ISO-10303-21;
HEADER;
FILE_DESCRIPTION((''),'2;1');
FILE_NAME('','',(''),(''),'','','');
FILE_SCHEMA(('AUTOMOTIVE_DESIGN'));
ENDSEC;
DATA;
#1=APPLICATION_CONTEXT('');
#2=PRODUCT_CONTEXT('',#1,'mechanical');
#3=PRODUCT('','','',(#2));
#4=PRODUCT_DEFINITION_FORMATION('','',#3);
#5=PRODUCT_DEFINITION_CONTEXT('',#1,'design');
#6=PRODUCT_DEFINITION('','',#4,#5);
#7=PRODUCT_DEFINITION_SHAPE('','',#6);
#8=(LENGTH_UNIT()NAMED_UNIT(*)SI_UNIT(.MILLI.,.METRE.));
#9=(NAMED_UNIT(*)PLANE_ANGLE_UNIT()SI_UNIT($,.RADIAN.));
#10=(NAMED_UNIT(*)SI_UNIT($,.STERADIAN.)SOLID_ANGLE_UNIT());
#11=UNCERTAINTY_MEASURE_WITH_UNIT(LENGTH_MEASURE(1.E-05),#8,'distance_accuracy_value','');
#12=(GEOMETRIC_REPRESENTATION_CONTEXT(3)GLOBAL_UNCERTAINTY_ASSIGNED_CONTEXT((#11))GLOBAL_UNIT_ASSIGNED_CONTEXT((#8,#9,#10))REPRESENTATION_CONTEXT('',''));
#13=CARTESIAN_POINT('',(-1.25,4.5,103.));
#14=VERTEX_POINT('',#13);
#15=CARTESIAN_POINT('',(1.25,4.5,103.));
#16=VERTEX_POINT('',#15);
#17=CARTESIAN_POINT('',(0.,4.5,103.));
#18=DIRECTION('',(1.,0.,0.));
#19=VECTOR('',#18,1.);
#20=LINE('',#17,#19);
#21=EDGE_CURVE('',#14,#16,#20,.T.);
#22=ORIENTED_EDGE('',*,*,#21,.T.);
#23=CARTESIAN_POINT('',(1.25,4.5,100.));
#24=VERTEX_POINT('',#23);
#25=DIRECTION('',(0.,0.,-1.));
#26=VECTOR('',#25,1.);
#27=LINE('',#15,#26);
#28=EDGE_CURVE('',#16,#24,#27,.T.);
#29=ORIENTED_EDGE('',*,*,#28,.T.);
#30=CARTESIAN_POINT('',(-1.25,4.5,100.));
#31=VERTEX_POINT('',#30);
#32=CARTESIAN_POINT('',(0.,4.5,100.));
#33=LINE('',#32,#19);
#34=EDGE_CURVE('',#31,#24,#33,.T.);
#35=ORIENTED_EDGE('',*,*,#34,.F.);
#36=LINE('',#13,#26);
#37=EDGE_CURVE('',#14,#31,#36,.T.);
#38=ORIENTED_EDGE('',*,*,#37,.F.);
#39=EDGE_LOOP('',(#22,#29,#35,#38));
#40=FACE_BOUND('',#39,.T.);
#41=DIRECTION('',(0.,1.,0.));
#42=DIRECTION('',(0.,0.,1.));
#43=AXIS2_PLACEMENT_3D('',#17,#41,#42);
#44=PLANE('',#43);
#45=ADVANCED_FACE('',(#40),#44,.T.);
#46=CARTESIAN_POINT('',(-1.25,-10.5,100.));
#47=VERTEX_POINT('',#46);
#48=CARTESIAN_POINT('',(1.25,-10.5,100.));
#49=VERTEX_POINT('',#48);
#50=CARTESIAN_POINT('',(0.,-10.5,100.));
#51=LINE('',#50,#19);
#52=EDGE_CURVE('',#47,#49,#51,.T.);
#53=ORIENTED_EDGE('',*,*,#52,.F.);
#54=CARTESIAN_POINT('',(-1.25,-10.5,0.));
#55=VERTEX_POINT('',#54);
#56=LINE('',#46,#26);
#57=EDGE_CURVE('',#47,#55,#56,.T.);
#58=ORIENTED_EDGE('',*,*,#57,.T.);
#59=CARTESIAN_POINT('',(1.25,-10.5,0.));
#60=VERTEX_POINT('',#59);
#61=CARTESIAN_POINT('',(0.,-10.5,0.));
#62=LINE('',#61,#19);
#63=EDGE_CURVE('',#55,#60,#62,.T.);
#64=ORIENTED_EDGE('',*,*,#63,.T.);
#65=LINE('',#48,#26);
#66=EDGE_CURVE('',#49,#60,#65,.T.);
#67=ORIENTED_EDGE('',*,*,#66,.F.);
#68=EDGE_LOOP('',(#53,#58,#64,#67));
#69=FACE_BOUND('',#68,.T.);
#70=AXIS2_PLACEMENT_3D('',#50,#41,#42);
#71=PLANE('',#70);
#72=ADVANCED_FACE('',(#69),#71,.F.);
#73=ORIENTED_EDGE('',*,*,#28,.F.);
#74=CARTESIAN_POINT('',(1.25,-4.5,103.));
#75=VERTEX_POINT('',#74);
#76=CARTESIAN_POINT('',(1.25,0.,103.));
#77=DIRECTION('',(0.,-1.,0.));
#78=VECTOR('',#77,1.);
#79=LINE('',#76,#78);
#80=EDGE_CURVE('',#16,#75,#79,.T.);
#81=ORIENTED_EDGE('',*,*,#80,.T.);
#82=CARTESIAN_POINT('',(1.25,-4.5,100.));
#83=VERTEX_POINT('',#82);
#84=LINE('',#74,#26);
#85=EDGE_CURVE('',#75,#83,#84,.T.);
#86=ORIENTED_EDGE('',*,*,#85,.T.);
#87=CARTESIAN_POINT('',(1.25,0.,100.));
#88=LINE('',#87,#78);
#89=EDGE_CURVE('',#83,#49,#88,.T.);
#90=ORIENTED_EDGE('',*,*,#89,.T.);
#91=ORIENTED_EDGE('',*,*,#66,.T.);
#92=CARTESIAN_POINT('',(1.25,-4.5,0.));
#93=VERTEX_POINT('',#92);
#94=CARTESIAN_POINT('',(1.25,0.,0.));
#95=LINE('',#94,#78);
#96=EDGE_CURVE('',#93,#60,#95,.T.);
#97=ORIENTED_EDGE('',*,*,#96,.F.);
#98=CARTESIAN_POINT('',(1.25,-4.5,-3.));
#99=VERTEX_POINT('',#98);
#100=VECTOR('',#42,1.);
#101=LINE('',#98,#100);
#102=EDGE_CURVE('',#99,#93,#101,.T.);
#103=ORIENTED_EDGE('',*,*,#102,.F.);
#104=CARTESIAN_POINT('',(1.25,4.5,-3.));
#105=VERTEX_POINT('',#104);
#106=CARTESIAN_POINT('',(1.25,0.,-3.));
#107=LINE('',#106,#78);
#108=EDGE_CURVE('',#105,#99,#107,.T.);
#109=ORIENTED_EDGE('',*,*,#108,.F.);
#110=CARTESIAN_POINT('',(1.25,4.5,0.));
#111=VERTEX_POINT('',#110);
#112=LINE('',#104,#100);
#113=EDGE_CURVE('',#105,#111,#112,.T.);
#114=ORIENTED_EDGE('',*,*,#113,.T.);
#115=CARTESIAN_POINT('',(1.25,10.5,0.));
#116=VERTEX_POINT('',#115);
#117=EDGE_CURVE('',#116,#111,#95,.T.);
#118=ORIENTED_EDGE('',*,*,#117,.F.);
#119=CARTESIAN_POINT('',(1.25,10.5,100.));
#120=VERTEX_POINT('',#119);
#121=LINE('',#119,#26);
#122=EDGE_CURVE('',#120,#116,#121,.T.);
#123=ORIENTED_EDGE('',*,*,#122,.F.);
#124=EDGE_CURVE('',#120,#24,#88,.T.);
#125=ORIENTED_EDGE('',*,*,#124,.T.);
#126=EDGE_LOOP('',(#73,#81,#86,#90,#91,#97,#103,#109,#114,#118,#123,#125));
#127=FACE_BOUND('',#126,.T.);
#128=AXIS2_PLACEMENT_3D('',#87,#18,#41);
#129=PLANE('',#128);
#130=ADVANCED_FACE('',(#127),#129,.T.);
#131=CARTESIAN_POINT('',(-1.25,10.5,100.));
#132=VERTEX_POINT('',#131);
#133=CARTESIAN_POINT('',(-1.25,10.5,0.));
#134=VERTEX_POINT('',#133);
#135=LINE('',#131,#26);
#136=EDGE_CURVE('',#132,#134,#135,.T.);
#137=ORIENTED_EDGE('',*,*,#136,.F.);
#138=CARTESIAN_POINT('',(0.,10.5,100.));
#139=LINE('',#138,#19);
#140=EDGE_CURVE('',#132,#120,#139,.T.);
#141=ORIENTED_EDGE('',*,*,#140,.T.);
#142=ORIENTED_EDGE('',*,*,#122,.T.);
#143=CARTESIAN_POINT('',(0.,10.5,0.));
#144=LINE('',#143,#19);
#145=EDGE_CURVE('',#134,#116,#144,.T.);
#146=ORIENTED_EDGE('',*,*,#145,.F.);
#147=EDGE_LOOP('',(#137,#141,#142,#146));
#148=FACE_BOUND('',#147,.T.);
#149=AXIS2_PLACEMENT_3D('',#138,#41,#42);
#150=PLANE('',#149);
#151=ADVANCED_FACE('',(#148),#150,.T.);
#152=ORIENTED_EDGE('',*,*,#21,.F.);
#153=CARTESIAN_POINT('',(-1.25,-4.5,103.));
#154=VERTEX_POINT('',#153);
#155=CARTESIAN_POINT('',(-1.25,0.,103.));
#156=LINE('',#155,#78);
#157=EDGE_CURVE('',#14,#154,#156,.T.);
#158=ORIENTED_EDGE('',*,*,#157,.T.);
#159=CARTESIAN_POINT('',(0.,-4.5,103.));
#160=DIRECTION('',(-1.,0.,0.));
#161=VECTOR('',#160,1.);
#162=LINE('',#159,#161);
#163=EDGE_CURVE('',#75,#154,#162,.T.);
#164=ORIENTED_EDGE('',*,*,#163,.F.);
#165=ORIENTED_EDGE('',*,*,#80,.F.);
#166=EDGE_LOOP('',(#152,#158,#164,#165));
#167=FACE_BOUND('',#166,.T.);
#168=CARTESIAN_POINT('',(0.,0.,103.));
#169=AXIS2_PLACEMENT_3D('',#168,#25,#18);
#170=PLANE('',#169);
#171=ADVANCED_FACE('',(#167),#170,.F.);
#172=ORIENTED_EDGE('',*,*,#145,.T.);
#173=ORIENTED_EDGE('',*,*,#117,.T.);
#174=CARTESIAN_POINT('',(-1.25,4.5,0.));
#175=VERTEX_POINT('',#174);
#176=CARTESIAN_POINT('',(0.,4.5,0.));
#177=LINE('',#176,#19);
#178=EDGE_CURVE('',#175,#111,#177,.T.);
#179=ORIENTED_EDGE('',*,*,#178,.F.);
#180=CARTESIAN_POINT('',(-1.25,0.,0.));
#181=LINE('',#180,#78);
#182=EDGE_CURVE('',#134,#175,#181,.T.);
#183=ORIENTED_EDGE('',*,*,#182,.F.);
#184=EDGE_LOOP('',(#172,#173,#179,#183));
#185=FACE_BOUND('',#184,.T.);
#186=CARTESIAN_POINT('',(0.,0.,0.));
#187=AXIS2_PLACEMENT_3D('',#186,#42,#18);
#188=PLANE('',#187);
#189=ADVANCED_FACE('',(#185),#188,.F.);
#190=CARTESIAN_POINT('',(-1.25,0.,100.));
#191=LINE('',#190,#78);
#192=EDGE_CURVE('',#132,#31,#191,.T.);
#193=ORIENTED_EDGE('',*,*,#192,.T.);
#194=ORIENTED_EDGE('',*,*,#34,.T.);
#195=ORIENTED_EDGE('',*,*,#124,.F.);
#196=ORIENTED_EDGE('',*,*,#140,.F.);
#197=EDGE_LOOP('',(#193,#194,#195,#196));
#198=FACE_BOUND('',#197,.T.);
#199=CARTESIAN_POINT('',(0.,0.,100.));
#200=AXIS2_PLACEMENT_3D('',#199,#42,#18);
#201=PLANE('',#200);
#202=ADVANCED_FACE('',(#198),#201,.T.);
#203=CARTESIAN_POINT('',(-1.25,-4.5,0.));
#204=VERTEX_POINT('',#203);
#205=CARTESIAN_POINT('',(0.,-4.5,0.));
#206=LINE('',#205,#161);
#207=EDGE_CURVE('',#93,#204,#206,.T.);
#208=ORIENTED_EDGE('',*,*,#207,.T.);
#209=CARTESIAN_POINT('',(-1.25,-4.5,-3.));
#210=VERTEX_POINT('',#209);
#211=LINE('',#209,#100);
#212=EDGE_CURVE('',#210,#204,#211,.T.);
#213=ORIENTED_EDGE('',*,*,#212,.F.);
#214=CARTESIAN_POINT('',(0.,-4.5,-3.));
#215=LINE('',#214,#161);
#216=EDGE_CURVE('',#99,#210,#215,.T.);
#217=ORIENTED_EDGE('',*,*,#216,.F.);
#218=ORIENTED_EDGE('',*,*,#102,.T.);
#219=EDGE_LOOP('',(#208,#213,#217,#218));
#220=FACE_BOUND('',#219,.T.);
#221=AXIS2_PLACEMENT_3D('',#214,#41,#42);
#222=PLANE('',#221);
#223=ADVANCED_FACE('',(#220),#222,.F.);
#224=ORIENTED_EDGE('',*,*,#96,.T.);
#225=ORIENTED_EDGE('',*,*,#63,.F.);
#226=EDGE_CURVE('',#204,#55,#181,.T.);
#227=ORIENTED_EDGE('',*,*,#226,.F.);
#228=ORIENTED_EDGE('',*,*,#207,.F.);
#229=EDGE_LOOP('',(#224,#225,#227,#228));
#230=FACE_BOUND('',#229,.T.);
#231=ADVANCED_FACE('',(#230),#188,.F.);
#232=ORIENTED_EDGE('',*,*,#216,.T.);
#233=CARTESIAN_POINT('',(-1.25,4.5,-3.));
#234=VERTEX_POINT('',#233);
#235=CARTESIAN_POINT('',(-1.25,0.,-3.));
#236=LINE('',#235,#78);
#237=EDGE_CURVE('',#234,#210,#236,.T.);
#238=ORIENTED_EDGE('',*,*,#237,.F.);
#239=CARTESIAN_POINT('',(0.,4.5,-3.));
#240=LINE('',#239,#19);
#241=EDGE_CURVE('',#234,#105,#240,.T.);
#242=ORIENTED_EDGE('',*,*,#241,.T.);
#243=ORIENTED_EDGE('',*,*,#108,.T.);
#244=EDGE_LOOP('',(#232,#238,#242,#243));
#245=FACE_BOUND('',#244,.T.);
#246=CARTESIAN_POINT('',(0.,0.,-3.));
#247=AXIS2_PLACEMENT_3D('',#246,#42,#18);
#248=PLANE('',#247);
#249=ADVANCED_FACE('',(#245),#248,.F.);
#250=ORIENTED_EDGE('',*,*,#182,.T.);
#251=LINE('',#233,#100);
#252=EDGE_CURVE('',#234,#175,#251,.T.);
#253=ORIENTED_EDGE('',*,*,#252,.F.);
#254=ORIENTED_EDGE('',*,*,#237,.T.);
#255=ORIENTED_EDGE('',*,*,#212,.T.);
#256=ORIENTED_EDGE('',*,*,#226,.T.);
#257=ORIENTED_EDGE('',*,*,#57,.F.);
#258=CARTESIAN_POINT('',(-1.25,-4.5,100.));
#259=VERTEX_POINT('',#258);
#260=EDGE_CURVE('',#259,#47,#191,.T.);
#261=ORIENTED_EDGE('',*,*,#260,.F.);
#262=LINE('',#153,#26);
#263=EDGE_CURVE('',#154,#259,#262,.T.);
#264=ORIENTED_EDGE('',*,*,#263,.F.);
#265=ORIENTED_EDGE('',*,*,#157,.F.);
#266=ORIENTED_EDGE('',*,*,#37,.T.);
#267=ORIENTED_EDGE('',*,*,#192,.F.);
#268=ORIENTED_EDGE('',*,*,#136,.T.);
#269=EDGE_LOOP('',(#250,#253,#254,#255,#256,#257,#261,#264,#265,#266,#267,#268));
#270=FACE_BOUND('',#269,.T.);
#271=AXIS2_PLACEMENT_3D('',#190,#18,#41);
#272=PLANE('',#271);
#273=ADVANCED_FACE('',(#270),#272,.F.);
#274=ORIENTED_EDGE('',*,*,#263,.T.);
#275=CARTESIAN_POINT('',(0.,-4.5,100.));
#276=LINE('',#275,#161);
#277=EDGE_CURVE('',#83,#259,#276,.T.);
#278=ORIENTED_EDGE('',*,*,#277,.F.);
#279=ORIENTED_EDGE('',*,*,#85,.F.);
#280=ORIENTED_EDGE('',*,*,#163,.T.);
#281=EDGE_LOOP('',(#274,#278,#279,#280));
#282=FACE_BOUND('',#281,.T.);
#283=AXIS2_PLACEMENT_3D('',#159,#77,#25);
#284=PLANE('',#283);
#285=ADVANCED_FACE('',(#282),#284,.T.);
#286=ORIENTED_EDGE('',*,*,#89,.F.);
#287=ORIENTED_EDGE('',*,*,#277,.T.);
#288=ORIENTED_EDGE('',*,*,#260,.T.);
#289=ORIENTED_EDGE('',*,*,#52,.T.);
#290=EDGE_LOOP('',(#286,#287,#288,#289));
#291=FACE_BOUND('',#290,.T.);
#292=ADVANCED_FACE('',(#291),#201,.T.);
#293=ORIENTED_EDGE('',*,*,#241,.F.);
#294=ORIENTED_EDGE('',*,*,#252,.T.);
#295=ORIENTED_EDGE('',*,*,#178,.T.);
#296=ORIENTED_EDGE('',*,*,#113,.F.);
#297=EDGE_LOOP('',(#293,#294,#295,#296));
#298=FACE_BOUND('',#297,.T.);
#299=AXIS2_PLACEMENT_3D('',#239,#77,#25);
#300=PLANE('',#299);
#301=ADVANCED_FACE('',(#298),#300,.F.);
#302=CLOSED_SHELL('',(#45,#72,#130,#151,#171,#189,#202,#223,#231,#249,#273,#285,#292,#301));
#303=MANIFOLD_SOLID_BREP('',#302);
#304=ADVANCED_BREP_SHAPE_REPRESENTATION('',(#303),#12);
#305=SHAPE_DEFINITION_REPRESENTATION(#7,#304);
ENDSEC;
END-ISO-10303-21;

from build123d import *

# Parameters (mm, degrees)
SKETCH1_W           = 2.5
SKETCH1_H           = 21
BOSS_EXTRUDE1_DEPTH = 100
SKETCH1_3_W         = 2.5
SKETCH1_3_H         = 9
BOSS_EXTRUDE2_DEPTH = 3


with BuildPart() as part:
    # Sketch1 → Boss-Extrude1 (new body)
    with BuildSketch(Plane.XY):
        Rectangle(SKETCH1_W, SKETCH1_H)
    extrude(amount=BOSS_EXTRUDE1_DEPTH)

    # Sketch1<3> → Boss-Extrude2 (add)
    with BuildSketch(Plane.XY):
        Rectangle(SKETCH1_3_W, SKETCH1_3_H)
    boss_extrude2 = extrude(amount=-BOSS_EXTRUDE2_DEPTH)

    # Mirror1: Boss-Extrude2 across plane
    add(boss_extrude2.mirror(Plane(origin=(0, 0, 50), x_dir=(1, 0, 0), z_dir=(0, 0, -1))))


solid = part.part
